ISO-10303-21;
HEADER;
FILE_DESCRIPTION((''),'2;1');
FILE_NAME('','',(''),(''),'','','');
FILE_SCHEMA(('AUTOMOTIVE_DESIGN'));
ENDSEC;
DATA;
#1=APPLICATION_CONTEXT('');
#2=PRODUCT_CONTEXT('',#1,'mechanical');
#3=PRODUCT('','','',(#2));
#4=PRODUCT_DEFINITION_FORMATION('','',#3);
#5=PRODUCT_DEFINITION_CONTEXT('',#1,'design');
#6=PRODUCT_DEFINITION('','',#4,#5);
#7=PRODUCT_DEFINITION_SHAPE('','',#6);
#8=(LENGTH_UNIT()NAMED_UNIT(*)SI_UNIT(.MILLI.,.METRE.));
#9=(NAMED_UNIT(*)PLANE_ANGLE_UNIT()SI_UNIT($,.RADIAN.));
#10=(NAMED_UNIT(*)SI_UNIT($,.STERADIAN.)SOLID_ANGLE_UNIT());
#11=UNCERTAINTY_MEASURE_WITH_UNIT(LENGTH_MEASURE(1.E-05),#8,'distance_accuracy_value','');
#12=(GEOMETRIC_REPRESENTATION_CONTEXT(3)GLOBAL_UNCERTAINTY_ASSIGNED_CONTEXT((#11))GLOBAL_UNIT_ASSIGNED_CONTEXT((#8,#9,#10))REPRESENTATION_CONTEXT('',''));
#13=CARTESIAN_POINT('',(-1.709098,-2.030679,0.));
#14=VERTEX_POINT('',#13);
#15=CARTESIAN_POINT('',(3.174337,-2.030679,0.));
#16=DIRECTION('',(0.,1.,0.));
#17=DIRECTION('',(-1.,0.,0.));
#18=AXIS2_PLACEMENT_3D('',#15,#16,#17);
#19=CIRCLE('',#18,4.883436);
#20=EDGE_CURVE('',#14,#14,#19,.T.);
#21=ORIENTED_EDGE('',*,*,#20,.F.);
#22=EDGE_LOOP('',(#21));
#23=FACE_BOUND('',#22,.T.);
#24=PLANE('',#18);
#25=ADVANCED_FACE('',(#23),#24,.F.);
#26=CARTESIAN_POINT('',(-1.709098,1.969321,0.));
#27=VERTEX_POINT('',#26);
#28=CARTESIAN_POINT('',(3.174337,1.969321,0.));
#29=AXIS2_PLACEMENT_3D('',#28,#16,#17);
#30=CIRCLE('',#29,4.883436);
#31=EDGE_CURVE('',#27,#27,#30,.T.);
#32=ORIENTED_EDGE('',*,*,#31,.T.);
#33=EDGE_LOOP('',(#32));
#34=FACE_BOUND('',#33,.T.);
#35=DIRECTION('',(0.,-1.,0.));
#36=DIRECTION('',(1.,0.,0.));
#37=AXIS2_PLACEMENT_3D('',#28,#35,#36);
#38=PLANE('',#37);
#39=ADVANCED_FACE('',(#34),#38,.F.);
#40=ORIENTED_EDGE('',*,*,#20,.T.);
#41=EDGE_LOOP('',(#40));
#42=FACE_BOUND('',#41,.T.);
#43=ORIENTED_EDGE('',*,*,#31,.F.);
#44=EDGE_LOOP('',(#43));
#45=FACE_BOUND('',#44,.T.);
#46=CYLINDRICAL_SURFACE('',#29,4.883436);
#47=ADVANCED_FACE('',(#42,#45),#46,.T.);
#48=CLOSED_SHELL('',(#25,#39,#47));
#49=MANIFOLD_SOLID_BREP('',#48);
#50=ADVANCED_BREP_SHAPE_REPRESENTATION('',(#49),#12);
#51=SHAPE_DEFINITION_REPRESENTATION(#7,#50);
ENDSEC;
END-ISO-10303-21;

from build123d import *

# Parameters (mm, degrees)
SKETCH4_W = 4.883435582
SKETCH4_H = 4


with BuildPart() as part:
    # Sketch4 → Revolve1 (revolve)
    with BuildSketch(Plane.XY, mode=Mode.PRIVATE) as revolve1_sk:
        with Locations((5.616054949, -0.030678949)):
            Rectangle(SKETCH4_W, SKETCH4_H)
    revolve(revolve1_sk.sketch.rotate(Axis((3.174337158, 1.969321051, 0), (0, -1, 0)), 180), axis=Axis((3.174337158, 1.969321051, 0), (0, -1, 0)))


solid = part.part
